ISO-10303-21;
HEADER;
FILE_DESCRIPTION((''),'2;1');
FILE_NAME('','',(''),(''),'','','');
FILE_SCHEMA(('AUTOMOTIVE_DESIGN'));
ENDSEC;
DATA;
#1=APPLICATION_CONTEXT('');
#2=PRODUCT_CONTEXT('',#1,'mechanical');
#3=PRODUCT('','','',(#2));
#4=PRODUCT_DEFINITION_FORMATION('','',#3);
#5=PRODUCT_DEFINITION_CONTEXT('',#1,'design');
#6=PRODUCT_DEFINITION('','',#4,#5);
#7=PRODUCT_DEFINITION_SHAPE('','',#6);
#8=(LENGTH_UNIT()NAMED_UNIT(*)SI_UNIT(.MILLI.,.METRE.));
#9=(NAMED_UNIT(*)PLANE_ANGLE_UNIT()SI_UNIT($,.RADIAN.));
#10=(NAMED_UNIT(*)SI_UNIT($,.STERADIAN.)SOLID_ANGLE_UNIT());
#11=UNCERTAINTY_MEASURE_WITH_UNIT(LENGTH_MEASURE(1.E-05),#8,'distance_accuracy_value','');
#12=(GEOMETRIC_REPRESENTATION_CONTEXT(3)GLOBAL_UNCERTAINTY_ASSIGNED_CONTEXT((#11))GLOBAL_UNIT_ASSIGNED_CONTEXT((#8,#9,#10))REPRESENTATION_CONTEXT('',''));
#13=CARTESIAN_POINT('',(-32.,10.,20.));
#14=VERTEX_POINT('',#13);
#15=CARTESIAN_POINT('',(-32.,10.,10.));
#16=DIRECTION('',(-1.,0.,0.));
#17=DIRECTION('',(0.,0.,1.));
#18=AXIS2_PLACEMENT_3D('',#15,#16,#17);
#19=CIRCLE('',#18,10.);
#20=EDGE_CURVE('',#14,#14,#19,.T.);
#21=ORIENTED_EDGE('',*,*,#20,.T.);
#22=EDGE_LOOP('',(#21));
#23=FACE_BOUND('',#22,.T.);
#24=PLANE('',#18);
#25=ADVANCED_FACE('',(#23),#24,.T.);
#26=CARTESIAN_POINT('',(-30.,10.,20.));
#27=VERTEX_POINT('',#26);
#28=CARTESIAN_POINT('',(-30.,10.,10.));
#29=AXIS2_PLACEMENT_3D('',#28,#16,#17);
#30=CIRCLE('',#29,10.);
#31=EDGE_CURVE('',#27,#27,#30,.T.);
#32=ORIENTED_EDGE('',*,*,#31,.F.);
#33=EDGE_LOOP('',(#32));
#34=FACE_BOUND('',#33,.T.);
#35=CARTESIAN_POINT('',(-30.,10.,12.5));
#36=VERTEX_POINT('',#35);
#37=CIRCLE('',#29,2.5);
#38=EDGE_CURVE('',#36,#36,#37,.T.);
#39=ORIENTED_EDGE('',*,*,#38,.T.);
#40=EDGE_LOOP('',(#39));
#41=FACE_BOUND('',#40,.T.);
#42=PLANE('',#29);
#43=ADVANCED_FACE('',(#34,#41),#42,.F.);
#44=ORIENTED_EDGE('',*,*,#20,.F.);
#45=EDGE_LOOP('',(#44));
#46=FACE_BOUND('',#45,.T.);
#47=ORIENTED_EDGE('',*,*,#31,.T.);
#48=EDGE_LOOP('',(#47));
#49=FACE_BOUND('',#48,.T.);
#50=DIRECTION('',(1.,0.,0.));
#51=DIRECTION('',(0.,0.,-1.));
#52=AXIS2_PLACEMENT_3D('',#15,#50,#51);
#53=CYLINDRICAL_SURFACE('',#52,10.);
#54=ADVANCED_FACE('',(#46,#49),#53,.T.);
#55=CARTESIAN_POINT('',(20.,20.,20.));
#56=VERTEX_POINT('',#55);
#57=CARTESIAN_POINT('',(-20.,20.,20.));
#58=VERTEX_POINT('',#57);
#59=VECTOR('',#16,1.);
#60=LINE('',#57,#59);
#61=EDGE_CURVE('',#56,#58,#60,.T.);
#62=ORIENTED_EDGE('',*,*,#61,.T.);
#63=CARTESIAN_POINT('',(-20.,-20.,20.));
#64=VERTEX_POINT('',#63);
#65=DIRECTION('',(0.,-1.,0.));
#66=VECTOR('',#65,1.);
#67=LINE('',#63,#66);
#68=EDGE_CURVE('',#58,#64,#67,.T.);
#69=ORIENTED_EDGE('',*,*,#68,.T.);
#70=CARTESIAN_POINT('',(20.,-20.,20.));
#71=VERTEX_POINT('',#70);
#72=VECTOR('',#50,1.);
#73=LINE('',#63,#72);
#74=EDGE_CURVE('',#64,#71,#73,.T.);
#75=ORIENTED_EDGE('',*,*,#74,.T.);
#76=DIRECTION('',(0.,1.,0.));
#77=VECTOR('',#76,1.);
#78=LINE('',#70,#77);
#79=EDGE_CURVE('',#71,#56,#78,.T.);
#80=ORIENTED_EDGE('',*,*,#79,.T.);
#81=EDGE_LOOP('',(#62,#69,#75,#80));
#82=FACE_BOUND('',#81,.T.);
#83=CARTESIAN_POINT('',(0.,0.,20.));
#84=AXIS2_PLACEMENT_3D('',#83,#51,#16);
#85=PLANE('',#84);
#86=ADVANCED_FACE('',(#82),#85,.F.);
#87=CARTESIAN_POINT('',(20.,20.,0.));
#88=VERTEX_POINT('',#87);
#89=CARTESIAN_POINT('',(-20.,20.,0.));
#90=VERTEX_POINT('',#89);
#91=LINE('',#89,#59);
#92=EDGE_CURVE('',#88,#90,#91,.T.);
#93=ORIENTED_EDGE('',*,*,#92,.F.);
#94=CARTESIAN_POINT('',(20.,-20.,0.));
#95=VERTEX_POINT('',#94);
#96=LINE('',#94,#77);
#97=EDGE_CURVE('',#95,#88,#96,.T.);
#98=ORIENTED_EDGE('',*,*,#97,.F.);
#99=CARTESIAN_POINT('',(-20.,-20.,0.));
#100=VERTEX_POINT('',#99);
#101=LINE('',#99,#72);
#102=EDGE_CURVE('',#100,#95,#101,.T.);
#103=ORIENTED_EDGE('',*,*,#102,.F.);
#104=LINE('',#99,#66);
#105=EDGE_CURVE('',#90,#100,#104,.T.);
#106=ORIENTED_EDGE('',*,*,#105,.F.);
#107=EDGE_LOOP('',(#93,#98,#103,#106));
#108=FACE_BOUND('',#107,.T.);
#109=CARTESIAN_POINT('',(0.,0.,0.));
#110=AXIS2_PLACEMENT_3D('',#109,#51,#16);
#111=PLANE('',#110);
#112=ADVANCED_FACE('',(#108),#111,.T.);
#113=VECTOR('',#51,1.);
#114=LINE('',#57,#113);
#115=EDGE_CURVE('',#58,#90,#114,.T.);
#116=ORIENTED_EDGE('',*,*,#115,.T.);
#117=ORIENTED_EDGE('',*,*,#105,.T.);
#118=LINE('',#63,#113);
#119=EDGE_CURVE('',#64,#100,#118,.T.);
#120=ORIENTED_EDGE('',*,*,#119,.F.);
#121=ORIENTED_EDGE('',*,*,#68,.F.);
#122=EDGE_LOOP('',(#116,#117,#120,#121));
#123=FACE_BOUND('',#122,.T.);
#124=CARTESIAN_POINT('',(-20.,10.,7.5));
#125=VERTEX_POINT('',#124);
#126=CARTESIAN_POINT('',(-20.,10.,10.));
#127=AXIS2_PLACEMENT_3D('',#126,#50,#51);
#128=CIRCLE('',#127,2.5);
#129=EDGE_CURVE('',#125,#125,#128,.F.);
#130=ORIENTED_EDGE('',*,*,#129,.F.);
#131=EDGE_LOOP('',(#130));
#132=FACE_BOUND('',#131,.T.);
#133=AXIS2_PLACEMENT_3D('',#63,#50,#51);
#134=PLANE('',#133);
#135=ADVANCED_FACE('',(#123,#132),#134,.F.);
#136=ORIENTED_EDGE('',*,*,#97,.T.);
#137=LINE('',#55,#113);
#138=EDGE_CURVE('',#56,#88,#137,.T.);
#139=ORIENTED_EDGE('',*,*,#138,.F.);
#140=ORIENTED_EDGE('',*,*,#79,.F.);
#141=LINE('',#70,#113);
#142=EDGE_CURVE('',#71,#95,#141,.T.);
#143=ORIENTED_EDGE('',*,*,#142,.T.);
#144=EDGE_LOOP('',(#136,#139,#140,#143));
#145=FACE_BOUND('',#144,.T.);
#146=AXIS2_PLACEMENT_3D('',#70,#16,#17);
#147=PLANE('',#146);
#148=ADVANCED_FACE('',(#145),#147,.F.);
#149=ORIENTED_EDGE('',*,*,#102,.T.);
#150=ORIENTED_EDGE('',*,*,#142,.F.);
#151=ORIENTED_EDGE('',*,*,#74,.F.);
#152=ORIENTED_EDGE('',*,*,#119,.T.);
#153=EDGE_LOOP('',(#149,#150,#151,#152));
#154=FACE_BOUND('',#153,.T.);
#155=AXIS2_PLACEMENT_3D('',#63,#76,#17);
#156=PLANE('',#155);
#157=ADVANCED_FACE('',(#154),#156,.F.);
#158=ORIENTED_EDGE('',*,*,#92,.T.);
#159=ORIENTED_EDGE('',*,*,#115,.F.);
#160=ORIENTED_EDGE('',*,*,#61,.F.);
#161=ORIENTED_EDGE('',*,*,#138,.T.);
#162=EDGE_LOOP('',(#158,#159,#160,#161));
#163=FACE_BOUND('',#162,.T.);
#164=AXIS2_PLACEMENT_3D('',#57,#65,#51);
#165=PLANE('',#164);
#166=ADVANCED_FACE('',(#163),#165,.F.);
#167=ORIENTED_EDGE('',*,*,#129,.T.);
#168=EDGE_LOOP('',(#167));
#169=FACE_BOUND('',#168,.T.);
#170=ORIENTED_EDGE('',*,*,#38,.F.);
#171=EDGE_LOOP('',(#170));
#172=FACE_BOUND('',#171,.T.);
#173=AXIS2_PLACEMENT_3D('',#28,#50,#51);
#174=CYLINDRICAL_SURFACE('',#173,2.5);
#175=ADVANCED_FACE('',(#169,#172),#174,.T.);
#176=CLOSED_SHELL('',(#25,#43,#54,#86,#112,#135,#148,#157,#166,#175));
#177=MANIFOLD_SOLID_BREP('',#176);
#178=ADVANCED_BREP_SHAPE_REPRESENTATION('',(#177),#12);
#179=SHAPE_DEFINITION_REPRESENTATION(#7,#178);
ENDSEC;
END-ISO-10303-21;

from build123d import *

# Parameters (mm, degrees)
SKETCH_1_W      = 40
SKETCH_1_H      = 40
EXTRUDE_1_DEPTH = 20
SKETCH_2_R      = 2.5
EXTRUDE_2_DEPTH = 10
SKETCH_3_R      = 10
EXTRUDE_3_DEPTH = 2


with BuildPart() as part:
    # 草图1 → 凸台-拉伸1 (new body)
    with BuildSketch(Plane.XY):
        Rectangle(SKETCH_1_W, SKETCH_1_H)
    extrude(amount=EXTRUDE_1_DEPTH)

    # 草图2 → 凸台-拉伸2 (add)
    with BuildSketch(Plane.ZY.offset(20)):
        with Locations(Location((10, 10, 0), (0, 0, 180))):
            Circle(SKETCH_2_R)
    extrude(amount=EXTRUDE_2_DEPTH)

    # 草图3 → 凸台-拉伸3 (add)
    with BuildSketch(Plane.ZY.offset(30)):
        with Locations((10, 10)):
            Circle(SKETCH_3_R)
    extrude(amount=EXTRUDE_3_DEPTH)


solid = part.part
